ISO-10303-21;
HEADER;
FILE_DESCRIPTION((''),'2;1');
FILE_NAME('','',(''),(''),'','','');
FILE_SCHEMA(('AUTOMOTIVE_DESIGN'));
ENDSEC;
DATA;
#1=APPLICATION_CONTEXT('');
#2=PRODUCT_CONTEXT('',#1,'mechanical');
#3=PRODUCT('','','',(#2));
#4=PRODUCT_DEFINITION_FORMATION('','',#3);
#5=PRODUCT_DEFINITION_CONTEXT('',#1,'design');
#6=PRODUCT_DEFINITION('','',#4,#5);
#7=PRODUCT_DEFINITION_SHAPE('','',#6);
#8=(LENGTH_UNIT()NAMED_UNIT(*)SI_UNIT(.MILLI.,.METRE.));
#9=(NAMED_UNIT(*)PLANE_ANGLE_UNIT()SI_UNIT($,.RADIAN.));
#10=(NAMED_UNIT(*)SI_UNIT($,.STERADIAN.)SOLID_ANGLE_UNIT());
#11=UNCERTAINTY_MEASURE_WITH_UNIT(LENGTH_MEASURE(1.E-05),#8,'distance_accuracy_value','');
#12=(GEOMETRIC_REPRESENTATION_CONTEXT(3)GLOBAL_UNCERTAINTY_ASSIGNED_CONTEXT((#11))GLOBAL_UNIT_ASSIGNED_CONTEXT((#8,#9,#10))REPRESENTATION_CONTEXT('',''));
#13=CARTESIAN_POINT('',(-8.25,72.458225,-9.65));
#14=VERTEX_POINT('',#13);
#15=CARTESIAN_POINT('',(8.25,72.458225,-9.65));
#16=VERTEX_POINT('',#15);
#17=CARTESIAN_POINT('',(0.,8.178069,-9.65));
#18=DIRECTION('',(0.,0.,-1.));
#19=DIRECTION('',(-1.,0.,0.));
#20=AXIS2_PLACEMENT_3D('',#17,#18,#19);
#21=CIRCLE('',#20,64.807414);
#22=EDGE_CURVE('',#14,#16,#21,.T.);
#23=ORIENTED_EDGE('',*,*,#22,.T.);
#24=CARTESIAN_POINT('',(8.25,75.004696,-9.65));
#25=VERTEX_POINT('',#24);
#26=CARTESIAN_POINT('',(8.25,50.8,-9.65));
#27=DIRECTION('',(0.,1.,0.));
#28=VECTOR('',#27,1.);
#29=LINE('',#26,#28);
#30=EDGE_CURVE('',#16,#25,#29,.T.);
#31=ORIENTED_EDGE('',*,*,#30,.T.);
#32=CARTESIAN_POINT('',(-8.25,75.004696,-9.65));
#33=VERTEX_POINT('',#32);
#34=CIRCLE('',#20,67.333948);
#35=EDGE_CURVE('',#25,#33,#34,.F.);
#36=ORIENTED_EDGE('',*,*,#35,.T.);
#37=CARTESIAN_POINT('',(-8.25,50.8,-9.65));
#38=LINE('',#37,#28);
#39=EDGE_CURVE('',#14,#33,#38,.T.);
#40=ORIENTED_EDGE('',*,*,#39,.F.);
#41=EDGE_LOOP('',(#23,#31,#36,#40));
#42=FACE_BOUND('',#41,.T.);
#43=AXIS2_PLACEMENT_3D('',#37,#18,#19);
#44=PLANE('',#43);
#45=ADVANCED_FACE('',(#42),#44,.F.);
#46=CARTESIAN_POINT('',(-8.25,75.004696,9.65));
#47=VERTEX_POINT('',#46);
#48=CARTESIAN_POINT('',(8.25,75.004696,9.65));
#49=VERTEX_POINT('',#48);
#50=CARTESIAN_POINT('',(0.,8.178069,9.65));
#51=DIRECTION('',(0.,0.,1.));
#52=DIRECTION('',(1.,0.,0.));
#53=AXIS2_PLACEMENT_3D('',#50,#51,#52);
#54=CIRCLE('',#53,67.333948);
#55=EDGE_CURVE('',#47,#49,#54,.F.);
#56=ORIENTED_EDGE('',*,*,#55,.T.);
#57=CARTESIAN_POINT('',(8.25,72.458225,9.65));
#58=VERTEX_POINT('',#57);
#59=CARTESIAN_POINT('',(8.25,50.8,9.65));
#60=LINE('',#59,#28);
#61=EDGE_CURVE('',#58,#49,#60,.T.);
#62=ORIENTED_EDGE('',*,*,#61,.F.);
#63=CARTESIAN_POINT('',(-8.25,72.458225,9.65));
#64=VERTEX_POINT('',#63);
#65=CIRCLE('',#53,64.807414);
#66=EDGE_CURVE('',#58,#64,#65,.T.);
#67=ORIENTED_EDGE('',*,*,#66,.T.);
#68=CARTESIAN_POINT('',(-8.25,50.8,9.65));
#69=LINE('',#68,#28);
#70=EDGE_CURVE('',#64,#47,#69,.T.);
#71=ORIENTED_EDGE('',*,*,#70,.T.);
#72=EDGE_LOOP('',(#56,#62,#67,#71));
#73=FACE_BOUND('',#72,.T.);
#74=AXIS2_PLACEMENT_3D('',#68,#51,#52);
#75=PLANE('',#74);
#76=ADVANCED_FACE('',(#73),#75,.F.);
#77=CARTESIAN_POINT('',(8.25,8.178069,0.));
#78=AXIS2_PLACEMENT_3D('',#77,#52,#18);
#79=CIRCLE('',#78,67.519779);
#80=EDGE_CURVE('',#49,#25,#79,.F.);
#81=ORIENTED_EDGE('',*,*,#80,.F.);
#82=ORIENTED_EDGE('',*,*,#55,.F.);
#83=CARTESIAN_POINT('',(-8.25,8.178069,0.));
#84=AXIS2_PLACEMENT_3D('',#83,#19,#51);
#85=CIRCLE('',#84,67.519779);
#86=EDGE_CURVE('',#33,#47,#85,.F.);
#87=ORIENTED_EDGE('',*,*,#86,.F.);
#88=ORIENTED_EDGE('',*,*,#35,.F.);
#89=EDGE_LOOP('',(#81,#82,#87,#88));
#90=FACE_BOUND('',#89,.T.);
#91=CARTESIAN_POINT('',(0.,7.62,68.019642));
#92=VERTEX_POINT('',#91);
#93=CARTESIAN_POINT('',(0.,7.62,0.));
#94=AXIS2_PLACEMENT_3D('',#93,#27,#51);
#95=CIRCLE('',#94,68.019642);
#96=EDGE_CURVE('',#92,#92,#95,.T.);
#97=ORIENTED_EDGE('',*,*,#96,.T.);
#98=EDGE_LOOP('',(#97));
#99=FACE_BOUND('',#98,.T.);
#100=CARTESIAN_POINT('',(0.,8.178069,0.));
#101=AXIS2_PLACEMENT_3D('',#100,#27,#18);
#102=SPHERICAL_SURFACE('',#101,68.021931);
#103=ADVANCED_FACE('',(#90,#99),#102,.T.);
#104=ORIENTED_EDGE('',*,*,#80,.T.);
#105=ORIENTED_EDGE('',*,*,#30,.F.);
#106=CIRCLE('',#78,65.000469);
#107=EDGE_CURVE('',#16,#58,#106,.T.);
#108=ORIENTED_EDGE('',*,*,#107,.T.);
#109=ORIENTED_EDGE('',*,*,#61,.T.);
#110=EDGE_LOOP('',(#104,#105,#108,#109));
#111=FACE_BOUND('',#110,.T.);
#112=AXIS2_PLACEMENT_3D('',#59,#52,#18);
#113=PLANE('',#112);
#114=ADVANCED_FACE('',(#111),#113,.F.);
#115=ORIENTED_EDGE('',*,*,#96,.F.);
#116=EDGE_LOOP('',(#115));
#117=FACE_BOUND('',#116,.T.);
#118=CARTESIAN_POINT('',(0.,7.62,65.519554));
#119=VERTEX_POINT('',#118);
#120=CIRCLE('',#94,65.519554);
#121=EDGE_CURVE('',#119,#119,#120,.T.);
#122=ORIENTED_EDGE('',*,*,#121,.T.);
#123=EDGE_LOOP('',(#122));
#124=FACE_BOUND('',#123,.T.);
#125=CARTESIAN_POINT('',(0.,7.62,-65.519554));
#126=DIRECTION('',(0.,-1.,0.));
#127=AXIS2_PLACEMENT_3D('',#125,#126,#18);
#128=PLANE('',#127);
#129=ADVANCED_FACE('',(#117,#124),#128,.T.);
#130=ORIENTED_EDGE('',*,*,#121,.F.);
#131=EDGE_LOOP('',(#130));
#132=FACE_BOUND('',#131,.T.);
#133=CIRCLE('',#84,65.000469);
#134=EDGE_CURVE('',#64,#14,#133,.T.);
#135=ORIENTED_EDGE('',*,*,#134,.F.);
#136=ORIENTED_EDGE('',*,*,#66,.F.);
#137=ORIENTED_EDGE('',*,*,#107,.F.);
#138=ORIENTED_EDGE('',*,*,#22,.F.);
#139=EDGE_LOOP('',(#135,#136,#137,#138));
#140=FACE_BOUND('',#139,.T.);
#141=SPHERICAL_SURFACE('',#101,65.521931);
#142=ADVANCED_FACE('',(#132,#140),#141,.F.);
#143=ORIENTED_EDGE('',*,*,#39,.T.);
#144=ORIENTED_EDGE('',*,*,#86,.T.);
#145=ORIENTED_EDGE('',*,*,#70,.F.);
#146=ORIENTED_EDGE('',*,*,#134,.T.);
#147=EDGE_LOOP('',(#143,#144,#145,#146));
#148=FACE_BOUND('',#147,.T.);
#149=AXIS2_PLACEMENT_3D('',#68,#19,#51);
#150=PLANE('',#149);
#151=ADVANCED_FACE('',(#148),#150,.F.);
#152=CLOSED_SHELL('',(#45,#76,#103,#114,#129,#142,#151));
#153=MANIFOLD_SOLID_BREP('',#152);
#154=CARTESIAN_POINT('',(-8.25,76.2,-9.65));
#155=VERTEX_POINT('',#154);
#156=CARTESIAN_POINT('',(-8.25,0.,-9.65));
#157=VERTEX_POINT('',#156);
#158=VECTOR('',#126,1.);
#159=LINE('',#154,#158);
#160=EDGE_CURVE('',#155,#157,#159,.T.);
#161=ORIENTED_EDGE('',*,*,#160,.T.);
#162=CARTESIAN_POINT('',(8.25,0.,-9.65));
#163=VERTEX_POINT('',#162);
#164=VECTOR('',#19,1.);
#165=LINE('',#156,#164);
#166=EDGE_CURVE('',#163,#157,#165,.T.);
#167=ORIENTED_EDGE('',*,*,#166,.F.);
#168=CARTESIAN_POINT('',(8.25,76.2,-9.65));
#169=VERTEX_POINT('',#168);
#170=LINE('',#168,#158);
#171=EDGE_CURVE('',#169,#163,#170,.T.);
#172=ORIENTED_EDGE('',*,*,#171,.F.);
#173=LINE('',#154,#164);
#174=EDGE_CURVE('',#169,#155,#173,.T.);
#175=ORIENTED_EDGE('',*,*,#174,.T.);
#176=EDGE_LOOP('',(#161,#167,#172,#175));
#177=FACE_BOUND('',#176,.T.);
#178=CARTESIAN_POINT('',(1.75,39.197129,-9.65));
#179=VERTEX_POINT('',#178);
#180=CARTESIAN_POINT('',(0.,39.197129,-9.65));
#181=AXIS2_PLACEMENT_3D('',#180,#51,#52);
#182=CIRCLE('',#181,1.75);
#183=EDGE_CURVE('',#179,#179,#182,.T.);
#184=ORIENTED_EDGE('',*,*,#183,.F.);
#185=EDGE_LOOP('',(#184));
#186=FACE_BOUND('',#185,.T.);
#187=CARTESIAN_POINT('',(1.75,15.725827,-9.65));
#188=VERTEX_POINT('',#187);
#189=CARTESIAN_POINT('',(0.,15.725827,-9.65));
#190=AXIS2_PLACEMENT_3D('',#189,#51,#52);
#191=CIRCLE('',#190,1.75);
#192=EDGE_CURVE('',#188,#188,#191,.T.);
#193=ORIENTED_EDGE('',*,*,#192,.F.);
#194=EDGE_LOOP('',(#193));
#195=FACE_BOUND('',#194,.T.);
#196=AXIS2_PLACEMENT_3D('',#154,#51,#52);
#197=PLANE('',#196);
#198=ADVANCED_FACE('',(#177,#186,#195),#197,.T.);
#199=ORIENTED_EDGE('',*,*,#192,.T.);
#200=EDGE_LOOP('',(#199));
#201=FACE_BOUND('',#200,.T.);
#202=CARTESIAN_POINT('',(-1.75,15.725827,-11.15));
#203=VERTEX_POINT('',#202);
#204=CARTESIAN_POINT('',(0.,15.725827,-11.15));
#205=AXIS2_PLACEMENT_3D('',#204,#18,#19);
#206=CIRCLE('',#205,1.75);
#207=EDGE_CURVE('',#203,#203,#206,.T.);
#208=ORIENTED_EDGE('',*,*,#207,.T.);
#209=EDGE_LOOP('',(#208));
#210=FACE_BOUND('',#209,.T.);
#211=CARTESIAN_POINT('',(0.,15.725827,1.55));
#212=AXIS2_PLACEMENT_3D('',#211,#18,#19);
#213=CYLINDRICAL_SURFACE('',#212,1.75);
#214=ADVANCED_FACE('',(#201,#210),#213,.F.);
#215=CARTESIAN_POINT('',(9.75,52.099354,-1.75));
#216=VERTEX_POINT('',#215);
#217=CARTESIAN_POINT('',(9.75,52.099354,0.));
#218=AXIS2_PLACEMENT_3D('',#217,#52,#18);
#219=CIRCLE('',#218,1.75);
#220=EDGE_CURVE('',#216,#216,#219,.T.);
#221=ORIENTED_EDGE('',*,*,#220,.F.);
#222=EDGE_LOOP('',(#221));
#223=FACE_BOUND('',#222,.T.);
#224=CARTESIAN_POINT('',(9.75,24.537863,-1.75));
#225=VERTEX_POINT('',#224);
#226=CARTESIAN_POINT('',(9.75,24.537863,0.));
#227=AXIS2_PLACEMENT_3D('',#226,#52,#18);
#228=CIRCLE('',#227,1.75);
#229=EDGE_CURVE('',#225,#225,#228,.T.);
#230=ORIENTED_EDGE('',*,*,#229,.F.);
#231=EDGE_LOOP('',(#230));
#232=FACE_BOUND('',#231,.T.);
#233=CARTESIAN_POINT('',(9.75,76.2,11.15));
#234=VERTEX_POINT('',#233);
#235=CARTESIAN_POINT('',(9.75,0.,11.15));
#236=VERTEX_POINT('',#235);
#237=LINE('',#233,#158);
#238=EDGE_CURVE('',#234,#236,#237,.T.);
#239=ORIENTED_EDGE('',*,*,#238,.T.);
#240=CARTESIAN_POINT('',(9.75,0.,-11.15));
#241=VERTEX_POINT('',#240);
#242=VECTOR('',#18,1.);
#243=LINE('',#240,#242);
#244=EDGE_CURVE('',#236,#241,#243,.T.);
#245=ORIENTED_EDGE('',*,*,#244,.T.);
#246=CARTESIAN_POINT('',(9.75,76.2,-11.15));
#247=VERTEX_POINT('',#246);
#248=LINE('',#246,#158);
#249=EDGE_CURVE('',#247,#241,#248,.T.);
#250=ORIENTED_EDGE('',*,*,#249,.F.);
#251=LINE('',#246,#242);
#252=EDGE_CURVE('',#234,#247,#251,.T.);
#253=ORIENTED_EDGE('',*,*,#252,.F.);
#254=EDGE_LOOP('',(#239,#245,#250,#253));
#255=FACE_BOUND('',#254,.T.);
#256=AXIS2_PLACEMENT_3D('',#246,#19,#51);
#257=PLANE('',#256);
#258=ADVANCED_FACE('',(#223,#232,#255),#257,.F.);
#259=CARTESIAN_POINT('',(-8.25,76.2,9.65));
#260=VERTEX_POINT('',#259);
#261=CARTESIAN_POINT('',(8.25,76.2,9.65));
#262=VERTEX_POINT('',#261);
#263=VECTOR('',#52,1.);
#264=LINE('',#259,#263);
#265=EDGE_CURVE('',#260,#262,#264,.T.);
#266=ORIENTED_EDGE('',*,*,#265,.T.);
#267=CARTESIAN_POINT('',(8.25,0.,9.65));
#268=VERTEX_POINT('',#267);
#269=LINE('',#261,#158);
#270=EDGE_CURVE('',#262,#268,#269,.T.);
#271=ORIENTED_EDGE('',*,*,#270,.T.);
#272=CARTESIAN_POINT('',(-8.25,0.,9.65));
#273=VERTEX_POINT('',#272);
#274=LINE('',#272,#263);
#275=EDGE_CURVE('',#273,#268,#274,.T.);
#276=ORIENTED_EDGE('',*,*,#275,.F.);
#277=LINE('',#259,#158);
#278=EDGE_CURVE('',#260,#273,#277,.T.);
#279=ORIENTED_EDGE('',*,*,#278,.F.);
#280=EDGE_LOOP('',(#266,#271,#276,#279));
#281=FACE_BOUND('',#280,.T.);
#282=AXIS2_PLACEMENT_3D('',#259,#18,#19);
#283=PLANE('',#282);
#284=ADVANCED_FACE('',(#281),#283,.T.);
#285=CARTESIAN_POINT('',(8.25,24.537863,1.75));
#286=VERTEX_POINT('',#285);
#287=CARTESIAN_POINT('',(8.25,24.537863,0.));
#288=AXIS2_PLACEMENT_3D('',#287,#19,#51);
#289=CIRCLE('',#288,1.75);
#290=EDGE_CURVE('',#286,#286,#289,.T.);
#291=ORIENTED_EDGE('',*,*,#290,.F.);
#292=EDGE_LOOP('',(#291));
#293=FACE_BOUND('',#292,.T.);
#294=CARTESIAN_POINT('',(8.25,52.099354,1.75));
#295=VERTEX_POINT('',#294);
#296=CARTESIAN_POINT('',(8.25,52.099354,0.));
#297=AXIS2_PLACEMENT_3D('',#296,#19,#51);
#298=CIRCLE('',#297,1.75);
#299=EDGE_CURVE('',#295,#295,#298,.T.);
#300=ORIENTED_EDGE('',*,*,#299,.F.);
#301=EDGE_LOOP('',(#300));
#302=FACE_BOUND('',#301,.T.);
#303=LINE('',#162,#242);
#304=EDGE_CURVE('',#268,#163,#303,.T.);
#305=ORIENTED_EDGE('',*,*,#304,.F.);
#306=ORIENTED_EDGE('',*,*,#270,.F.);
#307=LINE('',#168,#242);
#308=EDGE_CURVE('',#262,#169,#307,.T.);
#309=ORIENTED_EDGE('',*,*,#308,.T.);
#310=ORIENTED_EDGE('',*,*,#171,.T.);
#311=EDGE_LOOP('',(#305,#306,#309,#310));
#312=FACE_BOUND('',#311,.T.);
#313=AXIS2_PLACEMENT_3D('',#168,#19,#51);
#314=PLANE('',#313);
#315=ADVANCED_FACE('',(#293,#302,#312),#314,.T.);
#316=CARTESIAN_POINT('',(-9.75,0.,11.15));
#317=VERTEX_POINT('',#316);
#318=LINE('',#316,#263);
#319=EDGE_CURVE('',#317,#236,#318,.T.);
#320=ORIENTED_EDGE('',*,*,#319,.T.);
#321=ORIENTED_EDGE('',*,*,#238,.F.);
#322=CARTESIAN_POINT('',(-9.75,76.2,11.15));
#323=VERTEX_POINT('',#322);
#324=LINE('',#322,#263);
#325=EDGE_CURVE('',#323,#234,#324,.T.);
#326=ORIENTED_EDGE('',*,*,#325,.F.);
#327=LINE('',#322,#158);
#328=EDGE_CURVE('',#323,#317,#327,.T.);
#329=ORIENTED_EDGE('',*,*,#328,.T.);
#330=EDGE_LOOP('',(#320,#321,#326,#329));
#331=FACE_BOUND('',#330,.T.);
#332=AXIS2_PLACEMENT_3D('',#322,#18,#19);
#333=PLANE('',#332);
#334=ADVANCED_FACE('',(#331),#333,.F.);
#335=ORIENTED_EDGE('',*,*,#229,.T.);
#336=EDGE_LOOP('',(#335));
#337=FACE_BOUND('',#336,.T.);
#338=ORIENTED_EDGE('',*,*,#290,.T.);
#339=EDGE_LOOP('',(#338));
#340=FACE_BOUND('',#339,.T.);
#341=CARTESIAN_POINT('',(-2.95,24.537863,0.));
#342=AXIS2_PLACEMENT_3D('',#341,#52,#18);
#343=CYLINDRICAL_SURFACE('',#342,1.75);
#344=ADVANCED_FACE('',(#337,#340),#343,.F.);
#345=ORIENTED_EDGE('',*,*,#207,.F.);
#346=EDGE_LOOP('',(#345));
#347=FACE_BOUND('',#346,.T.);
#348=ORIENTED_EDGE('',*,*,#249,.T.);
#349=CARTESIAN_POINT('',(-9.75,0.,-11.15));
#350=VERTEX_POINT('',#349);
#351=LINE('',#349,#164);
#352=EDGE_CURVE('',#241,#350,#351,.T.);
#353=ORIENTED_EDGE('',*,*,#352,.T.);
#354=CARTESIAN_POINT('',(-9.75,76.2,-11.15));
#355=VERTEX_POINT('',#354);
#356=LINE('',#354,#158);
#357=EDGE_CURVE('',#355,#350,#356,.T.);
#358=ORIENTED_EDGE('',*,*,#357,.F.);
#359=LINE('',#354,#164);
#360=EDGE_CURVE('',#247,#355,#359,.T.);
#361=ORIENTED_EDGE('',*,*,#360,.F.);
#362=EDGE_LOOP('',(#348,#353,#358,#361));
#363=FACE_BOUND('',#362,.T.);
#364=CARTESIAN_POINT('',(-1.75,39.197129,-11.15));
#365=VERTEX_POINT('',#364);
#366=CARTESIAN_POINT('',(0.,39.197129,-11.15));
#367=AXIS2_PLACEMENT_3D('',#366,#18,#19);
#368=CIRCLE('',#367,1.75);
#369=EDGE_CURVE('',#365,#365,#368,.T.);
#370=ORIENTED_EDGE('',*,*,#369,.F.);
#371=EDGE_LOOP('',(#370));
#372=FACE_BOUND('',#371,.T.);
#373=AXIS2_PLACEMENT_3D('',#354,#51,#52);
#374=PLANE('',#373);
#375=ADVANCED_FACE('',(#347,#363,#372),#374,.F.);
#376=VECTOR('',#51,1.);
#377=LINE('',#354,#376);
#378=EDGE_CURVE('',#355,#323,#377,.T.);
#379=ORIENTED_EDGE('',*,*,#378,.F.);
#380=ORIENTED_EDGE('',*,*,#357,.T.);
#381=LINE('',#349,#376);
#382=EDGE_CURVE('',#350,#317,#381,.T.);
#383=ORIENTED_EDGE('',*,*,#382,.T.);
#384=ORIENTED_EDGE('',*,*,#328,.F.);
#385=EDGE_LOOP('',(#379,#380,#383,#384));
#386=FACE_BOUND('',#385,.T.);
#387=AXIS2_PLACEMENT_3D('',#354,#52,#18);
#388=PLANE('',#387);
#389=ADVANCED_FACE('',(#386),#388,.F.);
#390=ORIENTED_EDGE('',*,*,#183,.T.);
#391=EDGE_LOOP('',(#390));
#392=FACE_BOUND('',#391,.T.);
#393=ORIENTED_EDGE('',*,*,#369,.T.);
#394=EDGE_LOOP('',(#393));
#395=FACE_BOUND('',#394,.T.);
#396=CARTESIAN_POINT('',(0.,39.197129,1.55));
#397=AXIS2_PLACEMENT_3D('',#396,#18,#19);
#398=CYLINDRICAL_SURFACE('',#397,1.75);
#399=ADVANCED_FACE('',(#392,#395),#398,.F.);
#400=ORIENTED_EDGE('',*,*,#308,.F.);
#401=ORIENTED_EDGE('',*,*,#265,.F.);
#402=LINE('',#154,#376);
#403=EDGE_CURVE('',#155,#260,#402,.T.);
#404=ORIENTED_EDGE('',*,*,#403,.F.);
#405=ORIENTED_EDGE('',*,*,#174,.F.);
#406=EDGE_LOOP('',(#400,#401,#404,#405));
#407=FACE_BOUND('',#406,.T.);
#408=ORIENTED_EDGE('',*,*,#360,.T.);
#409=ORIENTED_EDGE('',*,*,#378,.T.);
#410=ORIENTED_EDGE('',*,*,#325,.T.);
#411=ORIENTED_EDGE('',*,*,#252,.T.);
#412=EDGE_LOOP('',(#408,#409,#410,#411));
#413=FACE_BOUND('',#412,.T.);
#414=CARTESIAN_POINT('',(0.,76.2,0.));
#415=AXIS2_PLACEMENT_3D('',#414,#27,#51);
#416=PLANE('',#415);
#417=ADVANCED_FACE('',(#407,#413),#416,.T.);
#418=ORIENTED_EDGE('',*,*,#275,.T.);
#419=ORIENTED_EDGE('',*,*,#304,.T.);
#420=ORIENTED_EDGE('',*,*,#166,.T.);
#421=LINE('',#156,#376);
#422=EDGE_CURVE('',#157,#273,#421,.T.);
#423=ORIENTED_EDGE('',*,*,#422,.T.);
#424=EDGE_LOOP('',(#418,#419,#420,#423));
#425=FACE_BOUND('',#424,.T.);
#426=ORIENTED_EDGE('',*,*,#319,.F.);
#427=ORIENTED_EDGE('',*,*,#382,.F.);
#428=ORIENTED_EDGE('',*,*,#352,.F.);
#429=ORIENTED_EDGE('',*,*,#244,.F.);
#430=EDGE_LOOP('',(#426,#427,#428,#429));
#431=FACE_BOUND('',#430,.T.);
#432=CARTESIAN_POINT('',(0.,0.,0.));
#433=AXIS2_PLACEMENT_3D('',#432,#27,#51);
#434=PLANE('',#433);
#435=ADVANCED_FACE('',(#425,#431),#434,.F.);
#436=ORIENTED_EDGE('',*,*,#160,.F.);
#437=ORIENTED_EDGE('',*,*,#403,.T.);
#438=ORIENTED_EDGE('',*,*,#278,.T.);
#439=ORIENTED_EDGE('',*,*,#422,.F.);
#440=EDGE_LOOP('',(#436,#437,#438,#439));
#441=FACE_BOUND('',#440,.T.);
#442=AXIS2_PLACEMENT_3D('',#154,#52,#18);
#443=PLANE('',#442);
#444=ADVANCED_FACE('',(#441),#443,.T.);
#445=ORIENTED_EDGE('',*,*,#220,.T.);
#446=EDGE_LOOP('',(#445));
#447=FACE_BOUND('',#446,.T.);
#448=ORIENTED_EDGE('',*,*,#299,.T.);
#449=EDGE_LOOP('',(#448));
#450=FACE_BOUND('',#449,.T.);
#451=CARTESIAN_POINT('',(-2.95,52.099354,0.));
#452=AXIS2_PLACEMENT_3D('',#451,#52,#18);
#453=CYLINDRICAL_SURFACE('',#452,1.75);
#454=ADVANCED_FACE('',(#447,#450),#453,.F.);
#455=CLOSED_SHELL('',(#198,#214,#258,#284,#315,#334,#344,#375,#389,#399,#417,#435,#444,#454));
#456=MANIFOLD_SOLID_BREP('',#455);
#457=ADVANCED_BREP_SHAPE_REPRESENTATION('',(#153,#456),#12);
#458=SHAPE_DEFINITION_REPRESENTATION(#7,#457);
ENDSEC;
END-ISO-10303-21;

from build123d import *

# Parameters (mm, degrees)
SKETCH1_W           = 19.5
SKETCH1_H           = 22.3
SKETCH1_W_2         = 16.5
SKETCH1_H_2         = 19.3
BOSS_EXTRUDE1_DEPTH = 76.2
SKETCH3_W           = 16.5
SKETCH3_H           = 19.3
CUT_EXTRUDE1_DEPTH  = 25.4
SKETCH4_R           = 1.75
CUT_EXTRUDE2_DEPTH  = 12.7
SKETCH5_R           = 1.75
CUT_EXTRUDE3_DEPTH  = 12.7


with BuildPart() as part:
    # Sketch1 → Boss-Extrude1 (new body)
    with BuildSketch(Plane(origin=(0, 0, 0), x_dir=(1, 0, 0), z_dir=(0, 1, 0))):
        Rectangle(SKETCH1_W, SKETCH1_H)
        Rectangle(SKETCH1_W_2, SKETCH1_H_2, mode=Mode.SUBTRACT)
    extrude(amount=BOSS_EXTRUDE1_DEPTH)

    # Sketch4 → Cut-Extrude2 (cut)
    with BuildSketch(Plane(origin=(9.75, 0, 0), x_dir=(0, 0, -1), z_dir=(1, 0, 0))):
        with Locations((0, 24.537862789)):
            Circle(SKETCH4_R)
        with Locations((0, 52.099354453)):
            Circle(SKETCH4_R)
    extrude(amount=-CUT_EXTRUDE2_DEPTH, mode=Mode.SUBTRACT)

    # Sketch5 → Cut-Extrude3 (cut)
    with BuildSketch(Plane(origin=(0, 0, -11.15), x_dir=(-1, 0, 0), z_dir=(0, 0, -1))):
        with Locations((0, 15.725827397)):
            Circle(SKETCH5_R)
        with Locations((0, 39.197129193)):
            Circle(SKETCH5_R)
    extrude(amount=-CUT_EXTRUDE3_DEPTH, mode=Mode.SUBTRACT)


with BuildPart() as body_2:
    # Sketch2 → Revolve1 (revolve)
    with BuildSketch(Plane.ZY):
        with BuildLine():
            Line((-65.519554277, 7.62), (-68.019641629, 7.62))
            ThreePointArc((-68.019641629, 7.62), (-48.295672806, 56.07912413), (0, 76.2))
            Line((0, 76.2), (0, 73.7))
            ThreePointArc((0, 73.7), (-46.527890541, 54.311341606), (-65.519554277, 7.62))
        make_face()
    revolve(axis=Axis((0, 7.62, 0), (0, -1, 0)))

    # Sketch3 → Cut-Extrude1 (cut)
    with BuildSketch(Plane(origin=(0, 76.2, 0), x_dir=(1, 0, 0), z_dir=(0, 1, 0))):
        Rectangle(SKETCH3_W, SKETCH3_H)
    extrude(amount=-CUT_EXTRUDE1_DEPTH, mode=Mode.SUBTRACT)


solid = Compound([part.part, body_2.part])
